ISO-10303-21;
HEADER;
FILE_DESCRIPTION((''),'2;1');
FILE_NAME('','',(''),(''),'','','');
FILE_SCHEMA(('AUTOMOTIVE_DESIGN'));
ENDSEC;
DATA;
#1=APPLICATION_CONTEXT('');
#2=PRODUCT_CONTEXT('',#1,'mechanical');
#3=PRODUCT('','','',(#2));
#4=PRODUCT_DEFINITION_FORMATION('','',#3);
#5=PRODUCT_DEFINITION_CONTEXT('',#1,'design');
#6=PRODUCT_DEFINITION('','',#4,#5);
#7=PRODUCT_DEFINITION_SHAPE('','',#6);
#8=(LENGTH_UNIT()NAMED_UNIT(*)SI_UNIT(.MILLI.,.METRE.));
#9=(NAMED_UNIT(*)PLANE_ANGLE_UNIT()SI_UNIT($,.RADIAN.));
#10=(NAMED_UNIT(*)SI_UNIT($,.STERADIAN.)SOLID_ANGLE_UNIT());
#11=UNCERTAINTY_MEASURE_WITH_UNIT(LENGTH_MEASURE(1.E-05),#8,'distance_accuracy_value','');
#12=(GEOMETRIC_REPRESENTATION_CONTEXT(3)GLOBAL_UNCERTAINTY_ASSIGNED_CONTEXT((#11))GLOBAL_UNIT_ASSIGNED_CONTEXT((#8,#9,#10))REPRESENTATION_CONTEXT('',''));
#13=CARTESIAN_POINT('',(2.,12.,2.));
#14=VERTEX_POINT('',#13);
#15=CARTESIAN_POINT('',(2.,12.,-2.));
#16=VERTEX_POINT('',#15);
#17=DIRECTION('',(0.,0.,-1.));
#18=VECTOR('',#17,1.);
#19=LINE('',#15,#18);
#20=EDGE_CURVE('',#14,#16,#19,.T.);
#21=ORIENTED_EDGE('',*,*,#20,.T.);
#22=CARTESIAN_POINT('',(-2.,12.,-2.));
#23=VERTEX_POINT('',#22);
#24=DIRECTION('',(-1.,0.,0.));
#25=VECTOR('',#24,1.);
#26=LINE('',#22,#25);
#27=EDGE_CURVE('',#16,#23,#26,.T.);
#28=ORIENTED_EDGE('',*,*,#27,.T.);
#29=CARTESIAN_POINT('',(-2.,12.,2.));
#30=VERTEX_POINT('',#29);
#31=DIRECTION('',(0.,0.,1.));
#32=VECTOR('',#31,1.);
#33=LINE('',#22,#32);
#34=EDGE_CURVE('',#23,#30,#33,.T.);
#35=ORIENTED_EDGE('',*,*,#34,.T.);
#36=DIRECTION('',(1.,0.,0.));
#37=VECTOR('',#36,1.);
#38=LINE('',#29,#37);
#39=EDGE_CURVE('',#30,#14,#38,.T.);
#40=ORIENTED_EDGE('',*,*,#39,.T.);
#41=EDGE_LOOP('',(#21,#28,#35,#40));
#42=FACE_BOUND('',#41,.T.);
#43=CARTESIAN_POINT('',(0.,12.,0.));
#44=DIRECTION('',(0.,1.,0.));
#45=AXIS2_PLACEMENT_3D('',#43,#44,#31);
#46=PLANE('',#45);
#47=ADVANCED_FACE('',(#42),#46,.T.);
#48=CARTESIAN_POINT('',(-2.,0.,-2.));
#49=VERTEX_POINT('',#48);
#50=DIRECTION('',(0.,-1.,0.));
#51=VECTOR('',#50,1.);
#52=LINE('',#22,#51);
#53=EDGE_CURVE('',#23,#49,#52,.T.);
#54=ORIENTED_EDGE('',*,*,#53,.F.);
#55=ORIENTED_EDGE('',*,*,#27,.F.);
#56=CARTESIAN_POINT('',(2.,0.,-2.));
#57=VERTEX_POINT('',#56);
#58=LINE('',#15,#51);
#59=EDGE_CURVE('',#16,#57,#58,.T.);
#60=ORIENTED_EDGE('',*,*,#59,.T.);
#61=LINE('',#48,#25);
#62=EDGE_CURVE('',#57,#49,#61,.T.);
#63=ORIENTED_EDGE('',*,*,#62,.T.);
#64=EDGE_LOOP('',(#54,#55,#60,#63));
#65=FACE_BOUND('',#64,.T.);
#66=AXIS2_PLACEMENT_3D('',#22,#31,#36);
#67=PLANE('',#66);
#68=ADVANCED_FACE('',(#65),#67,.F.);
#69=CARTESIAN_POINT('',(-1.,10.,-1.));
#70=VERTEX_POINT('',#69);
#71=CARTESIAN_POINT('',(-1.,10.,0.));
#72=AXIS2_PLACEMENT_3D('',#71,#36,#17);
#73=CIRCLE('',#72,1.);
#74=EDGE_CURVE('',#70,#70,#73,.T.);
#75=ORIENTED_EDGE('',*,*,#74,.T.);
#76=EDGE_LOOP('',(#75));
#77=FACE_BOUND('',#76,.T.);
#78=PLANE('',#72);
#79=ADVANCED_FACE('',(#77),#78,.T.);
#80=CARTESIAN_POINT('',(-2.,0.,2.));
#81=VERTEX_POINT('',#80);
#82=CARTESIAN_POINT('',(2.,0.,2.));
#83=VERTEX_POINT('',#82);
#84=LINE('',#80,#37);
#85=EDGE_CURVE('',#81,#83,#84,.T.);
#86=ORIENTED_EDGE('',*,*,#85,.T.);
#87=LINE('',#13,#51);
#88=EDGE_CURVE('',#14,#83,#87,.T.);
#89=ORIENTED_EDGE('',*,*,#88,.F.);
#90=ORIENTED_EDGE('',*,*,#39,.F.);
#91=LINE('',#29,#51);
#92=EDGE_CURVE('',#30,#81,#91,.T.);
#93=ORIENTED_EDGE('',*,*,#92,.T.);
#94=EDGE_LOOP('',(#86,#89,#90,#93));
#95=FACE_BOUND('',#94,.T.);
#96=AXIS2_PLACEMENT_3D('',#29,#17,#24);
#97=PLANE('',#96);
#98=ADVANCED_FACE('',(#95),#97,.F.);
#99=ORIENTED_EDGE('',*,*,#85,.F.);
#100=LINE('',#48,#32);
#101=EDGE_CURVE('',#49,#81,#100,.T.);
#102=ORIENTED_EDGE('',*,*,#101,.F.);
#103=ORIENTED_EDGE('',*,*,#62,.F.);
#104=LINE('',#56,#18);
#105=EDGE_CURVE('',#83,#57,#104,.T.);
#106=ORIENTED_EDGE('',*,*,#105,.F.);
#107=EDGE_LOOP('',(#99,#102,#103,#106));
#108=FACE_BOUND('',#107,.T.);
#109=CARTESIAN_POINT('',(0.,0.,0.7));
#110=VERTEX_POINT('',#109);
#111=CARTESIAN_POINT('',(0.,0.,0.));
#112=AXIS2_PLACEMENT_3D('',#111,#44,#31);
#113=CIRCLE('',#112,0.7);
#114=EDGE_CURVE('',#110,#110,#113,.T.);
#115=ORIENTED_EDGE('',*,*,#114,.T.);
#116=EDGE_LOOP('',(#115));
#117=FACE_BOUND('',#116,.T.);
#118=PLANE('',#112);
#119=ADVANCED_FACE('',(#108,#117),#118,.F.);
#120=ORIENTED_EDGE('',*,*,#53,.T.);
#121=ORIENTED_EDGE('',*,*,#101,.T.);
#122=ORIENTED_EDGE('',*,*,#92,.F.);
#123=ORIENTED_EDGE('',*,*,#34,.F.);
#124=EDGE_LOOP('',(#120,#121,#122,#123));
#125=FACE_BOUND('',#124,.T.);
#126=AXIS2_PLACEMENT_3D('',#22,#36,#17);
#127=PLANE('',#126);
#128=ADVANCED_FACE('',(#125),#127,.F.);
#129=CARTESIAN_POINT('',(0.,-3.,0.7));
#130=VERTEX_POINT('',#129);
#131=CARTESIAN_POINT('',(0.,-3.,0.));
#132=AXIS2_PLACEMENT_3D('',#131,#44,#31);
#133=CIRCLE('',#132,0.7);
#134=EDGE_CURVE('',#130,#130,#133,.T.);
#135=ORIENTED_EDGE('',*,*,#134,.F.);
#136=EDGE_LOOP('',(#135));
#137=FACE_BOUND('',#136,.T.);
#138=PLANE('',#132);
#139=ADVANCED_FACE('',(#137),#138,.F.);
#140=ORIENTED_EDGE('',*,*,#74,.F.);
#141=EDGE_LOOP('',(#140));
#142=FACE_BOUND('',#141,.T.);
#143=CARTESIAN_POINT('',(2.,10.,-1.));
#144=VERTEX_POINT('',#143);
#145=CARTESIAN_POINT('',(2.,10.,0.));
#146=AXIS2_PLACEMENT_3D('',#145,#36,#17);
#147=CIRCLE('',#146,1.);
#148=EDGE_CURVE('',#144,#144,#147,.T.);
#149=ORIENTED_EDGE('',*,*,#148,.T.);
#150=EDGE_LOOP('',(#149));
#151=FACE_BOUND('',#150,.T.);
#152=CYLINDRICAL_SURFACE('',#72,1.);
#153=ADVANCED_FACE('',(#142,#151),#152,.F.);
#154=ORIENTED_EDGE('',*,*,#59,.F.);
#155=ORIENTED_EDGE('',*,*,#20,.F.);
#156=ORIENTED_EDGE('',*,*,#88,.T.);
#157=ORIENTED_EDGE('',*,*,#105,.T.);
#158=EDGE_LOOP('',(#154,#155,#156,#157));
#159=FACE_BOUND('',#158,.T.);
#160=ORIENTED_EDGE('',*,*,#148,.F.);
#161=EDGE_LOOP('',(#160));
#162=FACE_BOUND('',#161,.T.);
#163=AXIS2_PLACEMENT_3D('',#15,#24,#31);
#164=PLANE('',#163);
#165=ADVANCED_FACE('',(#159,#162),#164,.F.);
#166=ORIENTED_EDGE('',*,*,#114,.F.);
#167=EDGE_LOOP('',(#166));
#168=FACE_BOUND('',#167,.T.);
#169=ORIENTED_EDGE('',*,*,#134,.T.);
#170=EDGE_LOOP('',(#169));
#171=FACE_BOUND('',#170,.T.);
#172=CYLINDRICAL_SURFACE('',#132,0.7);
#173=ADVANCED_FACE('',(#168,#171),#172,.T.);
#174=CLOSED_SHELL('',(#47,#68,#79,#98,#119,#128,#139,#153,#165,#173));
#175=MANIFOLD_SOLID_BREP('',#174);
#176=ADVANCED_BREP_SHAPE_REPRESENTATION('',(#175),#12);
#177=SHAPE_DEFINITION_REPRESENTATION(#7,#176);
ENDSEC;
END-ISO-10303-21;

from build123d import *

# Parameters (mm, degrees)
SKETCH2_W           = 4
SKETCH2_H           = 4
BOSS_EXTRUDE1_DEPTH = 12
SKETCH3_R           = 0.7
BOSS_EXTRUDE2_DEPTH = 3
SKETCH4_R           = 1
CUT_EXTRUDE1_DEPTH  = 3


with BuildPart() as part:
    # Sketch2 → Boss-Extrude1 (new body)
    with BuildSketch(Plane(origin=(0, 0, 0), x_dir=(1, 0, 0), z_dir=(0, 1, 0))):
        Rectangle(SKETCH2_W, SKETCH2_H)
    extrude(amount=BOSS_EXTRUDE1_DEPTH)

    # Sketch3 → Boss-Extrude2 (add)
    with BuildSketch(Plane(origin=(0, 0, 0), x_dir=(1, 0, 0), z_dir=(0, 1, 0))):
        Circle(SKETCH3_R)
    extrude(amount=-BOSS_EXTRUDE2_DEPTH)

    # Sketch4 → Cut-Extrude1 (cut)
    with BuildSketch(Plane(origin=(2, 0, 0), x_dir=(0, 0, -1), z_dir=(1, 0, 0))):
        with Locations((0, 10)):
            Circle(SKETCH4_R)
    extrude(amount=-CUT_EXTRUDE1_DEPTH, mode=Mode.SUBTRACT)


solid = part.part
